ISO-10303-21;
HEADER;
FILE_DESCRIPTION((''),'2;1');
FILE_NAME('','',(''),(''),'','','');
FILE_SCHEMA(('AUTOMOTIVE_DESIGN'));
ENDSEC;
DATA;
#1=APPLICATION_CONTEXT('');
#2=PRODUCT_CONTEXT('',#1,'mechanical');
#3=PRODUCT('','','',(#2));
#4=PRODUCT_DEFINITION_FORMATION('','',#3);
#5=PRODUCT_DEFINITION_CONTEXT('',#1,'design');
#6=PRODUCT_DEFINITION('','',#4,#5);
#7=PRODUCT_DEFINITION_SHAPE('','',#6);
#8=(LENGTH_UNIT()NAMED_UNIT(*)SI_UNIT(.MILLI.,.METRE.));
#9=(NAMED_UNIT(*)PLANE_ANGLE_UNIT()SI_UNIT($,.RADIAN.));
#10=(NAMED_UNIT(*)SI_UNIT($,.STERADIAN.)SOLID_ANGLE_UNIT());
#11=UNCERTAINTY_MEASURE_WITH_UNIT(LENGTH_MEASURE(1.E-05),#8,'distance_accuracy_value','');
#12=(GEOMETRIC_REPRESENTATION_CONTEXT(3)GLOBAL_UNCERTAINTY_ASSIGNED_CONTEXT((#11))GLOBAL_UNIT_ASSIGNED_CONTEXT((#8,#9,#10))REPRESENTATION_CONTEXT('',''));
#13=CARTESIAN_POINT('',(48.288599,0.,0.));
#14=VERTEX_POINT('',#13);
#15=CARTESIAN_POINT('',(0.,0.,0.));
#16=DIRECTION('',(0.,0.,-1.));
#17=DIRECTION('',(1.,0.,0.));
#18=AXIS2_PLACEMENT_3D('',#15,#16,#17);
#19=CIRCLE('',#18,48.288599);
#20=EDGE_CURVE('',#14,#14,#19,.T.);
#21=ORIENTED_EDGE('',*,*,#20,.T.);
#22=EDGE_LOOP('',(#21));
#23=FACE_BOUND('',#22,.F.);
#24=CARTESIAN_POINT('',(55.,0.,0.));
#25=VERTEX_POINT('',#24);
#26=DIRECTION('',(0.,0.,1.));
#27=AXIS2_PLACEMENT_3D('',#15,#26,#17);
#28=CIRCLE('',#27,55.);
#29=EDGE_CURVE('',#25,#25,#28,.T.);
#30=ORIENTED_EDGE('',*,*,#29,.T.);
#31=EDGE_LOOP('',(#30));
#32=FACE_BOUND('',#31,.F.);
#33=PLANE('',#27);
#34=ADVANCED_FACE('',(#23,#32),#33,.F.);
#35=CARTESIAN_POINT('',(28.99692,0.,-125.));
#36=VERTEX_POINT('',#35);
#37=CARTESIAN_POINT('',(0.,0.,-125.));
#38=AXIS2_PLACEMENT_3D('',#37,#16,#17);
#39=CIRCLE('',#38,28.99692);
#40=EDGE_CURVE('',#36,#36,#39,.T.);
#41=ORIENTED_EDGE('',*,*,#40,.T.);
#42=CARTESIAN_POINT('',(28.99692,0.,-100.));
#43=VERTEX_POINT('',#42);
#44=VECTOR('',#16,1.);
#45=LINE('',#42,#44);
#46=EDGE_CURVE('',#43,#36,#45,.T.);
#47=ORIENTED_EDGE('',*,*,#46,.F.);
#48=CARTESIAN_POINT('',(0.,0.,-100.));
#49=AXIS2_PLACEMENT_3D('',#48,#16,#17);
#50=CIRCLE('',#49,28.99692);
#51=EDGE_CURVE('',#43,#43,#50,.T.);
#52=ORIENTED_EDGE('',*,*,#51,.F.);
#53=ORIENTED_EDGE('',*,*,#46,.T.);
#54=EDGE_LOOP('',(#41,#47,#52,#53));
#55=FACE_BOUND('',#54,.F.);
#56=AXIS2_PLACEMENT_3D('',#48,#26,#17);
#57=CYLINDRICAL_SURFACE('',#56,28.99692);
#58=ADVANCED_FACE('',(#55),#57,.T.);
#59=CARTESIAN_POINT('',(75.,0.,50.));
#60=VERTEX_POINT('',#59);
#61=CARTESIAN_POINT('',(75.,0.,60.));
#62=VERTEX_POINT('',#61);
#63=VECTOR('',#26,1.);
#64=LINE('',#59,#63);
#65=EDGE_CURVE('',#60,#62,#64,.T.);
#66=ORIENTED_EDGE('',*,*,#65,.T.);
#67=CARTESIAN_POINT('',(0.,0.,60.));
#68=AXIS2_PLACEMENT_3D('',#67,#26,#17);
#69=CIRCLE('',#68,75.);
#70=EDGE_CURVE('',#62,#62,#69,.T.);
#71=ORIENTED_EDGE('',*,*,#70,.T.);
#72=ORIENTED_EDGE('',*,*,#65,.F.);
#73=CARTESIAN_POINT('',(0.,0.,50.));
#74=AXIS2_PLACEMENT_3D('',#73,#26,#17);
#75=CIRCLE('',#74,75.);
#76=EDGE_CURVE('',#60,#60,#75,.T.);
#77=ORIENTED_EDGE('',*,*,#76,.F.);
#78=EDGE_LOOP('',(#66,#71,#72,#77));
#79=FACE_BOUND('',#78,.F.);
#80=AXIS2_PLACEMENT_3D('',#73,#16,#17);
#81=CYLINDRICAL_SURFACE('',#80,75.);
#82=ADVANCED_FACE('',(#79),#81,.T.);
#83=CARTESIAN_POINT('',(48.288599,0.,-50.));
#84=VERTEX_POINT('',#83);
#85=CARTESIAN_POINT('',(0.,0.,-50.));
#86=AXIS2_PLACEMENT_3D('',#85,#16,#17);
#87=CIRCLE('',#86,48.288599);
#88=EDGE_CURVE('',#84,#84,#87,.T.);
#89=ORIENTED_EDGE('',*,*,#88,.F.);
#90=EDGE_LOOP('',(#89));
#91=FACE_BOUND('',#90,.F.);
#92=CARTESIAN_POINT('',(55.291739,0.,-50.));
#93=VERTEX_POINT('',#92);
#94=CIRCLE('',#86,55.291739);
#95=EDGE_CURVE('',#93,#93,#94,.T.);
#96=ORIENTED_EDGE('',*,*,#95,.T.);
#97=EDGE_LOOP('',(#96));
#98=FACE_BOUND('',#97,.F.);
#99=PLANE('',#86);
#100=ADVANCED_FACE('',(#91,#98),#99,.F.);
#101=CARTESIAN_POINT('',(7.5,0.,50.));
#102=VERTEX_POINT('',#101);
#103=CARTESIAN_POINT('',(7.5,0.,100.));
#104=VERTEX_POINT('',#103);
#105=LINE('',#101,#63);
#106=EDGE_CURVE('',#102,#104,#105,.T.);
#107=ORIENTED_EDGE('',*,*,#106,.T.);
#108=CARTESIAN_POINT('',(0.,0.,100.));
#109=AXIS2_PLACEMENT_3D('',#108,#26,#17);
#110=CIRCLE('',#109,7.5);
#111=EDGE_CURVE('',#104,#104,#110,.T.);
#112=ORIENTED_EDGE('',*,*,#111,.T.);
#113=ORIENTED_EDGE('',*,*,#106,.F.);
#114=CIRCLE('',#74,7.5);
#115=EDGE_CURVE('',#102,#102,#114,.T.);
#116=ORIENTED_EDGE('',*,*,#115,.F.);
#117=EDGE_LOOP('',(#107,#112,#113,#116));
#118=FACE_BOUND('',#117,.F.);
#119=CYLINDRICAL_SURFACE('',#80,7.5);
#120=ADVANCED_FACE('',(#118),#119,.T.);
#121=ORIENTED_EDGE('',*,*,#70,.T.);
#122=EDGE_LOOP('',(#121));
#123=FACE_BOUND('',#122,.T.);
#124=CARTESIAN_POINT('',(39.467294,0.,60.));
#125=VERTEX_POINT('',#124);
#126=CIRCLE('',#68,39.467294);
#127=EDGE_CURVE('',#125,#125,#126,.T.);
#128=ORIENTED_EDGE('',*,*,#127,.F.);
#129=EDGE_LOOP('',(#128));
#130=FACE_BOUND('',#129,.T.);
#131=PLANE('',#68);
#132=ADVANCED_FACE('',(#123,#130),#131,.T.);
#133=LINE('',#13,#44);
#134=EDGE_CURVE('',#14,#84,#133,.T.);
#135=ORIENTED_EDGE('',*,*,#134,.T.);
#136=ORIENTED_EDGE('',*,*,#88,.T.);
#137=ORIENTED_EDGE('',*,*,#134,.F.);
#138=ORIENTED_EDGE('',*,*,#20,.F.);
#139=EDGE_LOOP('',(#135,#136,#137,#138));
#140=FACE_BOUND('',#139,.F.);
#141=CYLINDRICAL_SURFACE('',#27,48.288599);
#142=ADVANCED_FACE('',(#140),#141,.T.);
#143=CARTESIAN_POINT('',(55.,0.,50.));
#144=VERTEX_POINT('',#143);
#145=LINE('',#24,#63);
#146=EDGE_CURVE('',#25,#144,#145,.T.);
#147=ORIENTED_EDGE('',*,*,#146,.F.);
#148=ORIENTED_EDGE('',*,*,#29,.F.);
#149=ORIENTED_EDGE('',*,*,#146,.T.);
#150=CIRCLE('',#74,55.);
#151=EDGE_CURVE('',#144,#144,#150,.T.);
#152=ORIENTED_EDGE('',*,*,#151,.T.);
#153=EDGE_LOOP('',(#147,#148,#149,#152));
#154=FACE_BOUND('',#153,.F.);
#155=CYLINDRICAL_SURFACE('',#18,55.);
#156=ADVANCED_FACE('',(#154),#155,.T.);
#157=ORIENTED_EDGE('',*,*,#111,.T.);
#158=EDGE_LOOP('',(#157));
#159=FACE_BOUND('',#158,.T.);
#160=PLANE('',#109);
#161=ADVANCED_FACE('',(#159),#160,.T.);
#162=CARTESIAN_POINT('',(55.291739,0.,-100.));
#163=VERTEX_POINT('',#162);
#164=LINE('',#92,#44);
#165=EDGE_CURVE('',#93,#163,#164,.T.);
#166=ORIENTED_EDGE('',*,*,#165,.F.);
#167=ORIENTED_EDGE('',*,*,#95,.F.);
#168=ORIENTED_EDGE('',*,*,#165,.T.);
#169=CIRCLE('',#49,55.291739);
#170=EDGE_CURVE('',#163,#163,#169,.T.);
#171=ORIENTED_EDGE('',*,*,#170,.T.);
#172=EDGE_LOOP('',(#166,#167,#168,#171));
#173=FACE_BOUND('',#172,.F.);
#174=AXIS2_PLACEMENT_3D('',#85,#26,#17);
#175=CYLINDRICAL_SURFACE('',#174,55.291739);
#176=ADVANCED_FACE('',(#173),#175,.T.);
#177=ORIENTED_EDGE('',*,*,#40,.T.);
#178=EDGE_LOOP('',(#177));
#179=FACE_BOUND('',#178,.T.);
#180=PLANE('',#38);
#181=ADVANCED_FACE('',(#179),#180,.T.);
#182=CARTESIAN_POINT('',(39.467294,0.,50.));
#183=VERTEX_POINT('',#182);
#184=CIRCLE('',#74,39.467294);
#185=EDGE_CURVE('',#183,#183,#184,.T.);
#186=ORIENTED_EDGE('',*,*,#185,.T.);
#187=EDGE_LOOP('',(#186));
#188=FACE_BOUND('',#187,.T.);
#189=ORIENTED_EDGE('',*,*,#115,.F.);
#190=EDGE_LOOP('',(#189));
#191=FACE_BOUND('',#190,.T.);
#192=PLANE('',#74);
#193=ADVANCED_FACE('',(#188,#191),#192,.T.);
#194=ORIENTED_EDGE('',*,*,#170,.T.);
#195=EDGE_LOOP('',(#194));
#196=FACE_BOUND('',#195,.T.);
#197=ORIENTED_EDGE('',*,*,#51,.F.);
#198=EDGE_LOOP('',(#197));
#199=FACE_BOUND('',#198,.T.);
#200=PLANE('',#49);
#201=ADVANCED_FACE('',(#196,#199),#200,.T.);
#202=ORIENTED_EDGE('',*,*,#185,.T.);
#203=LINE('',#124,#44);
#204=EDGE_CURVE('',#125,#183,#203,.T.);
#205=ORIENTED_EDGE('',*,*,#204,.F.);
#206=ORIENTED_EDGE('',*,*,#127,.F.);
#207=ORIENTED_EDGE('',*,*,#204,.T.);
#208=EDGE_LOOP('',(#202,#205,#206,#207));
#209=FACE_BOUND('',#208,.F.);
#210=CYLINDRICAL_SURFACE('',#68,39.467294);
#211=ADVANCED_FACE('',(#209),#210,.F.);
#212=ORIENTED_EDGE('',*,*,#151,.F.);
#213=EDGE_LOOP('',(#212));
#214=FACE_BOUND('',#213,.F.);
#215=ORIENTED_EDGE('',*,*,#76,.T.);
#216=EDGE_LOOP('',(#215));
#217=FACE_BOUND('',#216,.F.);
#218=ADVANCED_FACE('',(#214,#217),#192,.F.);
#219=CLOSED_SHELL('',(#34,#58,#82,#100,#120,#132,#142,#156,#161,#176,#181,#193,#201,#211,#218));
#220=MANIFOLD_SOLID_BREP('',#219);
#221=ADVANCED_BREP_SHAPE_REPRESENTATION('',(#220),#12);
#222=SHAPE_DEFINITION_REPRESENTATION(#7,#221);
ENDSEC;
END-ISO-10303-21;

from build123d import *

# Parameters (mm, degrees)
F0_R      = 55
F1_DEPTH  = 50
F2_R      = 75
F3_DEPTH  = 10
F4_R      = 48.288599
F5_DEPTH  = 50
F6_R      = 55.291739
F7_DEPTH  = 50
F8_R      = 39.467294
F9_DEPTH  = 10
F10_R     = 7.5
F11_DEPTH = 50
F12_R     = 28.99692
F13_DEPTH = 25


with BuildPart() as f1:
    # F0 (on Top) → F1 (new body)
    with BuildSketch(Plane.XY):
        Circle(F0_R)
    extrude(amount=F1_DEPTH)

    # F2 (on face) → F3 (join)
    with BuildSketch(Plane.XY.offset(50)):
        Circle(F2_R)
    extrude(amount=F3_DEPTH)

    # F4 (on face) → F5 (join)
    with BuildSketch(Plane(origin=(0, 0, 0), x_dir=(1, 0, 0), z_dir=(0, 0, -1))):
        Circle(F4_R)
    extrude(amount=F5_DEPTH)

    # F6 (on face) → F7 (join)
    with BuildSketch(Plane(origin=(0, 0, -50), x_dir=(1, 0, 0), z_dir=(0, 0, -1))):
        Circle(F6_R)
    extrude(amount=F7_DEPTH)

    # F8 (on face) → F9 (cut)
    with BuildSketch(Plane.XY.offset(60)):
        Circle(F8_R)
    extrude(amount=-F9_DEPTH, mode=Mode.SUBTRACT)

    # F10 (on face) → F11 (join)
    with BuildSketch(Plane.XY.offset(50)):
        Circle(F10_R)
    extrude(amount=F11_DEPTH)

    # F12 (on face) → F13 (join)
    with BuildSketch(Plane(origin=(0, 0, -100), x_dir=(1, 0, 0), z_dir=(0, 0, -1))):
        Circle(F12_R)
    extrude(amount=F13_DEPTH)


solid = f1.part
